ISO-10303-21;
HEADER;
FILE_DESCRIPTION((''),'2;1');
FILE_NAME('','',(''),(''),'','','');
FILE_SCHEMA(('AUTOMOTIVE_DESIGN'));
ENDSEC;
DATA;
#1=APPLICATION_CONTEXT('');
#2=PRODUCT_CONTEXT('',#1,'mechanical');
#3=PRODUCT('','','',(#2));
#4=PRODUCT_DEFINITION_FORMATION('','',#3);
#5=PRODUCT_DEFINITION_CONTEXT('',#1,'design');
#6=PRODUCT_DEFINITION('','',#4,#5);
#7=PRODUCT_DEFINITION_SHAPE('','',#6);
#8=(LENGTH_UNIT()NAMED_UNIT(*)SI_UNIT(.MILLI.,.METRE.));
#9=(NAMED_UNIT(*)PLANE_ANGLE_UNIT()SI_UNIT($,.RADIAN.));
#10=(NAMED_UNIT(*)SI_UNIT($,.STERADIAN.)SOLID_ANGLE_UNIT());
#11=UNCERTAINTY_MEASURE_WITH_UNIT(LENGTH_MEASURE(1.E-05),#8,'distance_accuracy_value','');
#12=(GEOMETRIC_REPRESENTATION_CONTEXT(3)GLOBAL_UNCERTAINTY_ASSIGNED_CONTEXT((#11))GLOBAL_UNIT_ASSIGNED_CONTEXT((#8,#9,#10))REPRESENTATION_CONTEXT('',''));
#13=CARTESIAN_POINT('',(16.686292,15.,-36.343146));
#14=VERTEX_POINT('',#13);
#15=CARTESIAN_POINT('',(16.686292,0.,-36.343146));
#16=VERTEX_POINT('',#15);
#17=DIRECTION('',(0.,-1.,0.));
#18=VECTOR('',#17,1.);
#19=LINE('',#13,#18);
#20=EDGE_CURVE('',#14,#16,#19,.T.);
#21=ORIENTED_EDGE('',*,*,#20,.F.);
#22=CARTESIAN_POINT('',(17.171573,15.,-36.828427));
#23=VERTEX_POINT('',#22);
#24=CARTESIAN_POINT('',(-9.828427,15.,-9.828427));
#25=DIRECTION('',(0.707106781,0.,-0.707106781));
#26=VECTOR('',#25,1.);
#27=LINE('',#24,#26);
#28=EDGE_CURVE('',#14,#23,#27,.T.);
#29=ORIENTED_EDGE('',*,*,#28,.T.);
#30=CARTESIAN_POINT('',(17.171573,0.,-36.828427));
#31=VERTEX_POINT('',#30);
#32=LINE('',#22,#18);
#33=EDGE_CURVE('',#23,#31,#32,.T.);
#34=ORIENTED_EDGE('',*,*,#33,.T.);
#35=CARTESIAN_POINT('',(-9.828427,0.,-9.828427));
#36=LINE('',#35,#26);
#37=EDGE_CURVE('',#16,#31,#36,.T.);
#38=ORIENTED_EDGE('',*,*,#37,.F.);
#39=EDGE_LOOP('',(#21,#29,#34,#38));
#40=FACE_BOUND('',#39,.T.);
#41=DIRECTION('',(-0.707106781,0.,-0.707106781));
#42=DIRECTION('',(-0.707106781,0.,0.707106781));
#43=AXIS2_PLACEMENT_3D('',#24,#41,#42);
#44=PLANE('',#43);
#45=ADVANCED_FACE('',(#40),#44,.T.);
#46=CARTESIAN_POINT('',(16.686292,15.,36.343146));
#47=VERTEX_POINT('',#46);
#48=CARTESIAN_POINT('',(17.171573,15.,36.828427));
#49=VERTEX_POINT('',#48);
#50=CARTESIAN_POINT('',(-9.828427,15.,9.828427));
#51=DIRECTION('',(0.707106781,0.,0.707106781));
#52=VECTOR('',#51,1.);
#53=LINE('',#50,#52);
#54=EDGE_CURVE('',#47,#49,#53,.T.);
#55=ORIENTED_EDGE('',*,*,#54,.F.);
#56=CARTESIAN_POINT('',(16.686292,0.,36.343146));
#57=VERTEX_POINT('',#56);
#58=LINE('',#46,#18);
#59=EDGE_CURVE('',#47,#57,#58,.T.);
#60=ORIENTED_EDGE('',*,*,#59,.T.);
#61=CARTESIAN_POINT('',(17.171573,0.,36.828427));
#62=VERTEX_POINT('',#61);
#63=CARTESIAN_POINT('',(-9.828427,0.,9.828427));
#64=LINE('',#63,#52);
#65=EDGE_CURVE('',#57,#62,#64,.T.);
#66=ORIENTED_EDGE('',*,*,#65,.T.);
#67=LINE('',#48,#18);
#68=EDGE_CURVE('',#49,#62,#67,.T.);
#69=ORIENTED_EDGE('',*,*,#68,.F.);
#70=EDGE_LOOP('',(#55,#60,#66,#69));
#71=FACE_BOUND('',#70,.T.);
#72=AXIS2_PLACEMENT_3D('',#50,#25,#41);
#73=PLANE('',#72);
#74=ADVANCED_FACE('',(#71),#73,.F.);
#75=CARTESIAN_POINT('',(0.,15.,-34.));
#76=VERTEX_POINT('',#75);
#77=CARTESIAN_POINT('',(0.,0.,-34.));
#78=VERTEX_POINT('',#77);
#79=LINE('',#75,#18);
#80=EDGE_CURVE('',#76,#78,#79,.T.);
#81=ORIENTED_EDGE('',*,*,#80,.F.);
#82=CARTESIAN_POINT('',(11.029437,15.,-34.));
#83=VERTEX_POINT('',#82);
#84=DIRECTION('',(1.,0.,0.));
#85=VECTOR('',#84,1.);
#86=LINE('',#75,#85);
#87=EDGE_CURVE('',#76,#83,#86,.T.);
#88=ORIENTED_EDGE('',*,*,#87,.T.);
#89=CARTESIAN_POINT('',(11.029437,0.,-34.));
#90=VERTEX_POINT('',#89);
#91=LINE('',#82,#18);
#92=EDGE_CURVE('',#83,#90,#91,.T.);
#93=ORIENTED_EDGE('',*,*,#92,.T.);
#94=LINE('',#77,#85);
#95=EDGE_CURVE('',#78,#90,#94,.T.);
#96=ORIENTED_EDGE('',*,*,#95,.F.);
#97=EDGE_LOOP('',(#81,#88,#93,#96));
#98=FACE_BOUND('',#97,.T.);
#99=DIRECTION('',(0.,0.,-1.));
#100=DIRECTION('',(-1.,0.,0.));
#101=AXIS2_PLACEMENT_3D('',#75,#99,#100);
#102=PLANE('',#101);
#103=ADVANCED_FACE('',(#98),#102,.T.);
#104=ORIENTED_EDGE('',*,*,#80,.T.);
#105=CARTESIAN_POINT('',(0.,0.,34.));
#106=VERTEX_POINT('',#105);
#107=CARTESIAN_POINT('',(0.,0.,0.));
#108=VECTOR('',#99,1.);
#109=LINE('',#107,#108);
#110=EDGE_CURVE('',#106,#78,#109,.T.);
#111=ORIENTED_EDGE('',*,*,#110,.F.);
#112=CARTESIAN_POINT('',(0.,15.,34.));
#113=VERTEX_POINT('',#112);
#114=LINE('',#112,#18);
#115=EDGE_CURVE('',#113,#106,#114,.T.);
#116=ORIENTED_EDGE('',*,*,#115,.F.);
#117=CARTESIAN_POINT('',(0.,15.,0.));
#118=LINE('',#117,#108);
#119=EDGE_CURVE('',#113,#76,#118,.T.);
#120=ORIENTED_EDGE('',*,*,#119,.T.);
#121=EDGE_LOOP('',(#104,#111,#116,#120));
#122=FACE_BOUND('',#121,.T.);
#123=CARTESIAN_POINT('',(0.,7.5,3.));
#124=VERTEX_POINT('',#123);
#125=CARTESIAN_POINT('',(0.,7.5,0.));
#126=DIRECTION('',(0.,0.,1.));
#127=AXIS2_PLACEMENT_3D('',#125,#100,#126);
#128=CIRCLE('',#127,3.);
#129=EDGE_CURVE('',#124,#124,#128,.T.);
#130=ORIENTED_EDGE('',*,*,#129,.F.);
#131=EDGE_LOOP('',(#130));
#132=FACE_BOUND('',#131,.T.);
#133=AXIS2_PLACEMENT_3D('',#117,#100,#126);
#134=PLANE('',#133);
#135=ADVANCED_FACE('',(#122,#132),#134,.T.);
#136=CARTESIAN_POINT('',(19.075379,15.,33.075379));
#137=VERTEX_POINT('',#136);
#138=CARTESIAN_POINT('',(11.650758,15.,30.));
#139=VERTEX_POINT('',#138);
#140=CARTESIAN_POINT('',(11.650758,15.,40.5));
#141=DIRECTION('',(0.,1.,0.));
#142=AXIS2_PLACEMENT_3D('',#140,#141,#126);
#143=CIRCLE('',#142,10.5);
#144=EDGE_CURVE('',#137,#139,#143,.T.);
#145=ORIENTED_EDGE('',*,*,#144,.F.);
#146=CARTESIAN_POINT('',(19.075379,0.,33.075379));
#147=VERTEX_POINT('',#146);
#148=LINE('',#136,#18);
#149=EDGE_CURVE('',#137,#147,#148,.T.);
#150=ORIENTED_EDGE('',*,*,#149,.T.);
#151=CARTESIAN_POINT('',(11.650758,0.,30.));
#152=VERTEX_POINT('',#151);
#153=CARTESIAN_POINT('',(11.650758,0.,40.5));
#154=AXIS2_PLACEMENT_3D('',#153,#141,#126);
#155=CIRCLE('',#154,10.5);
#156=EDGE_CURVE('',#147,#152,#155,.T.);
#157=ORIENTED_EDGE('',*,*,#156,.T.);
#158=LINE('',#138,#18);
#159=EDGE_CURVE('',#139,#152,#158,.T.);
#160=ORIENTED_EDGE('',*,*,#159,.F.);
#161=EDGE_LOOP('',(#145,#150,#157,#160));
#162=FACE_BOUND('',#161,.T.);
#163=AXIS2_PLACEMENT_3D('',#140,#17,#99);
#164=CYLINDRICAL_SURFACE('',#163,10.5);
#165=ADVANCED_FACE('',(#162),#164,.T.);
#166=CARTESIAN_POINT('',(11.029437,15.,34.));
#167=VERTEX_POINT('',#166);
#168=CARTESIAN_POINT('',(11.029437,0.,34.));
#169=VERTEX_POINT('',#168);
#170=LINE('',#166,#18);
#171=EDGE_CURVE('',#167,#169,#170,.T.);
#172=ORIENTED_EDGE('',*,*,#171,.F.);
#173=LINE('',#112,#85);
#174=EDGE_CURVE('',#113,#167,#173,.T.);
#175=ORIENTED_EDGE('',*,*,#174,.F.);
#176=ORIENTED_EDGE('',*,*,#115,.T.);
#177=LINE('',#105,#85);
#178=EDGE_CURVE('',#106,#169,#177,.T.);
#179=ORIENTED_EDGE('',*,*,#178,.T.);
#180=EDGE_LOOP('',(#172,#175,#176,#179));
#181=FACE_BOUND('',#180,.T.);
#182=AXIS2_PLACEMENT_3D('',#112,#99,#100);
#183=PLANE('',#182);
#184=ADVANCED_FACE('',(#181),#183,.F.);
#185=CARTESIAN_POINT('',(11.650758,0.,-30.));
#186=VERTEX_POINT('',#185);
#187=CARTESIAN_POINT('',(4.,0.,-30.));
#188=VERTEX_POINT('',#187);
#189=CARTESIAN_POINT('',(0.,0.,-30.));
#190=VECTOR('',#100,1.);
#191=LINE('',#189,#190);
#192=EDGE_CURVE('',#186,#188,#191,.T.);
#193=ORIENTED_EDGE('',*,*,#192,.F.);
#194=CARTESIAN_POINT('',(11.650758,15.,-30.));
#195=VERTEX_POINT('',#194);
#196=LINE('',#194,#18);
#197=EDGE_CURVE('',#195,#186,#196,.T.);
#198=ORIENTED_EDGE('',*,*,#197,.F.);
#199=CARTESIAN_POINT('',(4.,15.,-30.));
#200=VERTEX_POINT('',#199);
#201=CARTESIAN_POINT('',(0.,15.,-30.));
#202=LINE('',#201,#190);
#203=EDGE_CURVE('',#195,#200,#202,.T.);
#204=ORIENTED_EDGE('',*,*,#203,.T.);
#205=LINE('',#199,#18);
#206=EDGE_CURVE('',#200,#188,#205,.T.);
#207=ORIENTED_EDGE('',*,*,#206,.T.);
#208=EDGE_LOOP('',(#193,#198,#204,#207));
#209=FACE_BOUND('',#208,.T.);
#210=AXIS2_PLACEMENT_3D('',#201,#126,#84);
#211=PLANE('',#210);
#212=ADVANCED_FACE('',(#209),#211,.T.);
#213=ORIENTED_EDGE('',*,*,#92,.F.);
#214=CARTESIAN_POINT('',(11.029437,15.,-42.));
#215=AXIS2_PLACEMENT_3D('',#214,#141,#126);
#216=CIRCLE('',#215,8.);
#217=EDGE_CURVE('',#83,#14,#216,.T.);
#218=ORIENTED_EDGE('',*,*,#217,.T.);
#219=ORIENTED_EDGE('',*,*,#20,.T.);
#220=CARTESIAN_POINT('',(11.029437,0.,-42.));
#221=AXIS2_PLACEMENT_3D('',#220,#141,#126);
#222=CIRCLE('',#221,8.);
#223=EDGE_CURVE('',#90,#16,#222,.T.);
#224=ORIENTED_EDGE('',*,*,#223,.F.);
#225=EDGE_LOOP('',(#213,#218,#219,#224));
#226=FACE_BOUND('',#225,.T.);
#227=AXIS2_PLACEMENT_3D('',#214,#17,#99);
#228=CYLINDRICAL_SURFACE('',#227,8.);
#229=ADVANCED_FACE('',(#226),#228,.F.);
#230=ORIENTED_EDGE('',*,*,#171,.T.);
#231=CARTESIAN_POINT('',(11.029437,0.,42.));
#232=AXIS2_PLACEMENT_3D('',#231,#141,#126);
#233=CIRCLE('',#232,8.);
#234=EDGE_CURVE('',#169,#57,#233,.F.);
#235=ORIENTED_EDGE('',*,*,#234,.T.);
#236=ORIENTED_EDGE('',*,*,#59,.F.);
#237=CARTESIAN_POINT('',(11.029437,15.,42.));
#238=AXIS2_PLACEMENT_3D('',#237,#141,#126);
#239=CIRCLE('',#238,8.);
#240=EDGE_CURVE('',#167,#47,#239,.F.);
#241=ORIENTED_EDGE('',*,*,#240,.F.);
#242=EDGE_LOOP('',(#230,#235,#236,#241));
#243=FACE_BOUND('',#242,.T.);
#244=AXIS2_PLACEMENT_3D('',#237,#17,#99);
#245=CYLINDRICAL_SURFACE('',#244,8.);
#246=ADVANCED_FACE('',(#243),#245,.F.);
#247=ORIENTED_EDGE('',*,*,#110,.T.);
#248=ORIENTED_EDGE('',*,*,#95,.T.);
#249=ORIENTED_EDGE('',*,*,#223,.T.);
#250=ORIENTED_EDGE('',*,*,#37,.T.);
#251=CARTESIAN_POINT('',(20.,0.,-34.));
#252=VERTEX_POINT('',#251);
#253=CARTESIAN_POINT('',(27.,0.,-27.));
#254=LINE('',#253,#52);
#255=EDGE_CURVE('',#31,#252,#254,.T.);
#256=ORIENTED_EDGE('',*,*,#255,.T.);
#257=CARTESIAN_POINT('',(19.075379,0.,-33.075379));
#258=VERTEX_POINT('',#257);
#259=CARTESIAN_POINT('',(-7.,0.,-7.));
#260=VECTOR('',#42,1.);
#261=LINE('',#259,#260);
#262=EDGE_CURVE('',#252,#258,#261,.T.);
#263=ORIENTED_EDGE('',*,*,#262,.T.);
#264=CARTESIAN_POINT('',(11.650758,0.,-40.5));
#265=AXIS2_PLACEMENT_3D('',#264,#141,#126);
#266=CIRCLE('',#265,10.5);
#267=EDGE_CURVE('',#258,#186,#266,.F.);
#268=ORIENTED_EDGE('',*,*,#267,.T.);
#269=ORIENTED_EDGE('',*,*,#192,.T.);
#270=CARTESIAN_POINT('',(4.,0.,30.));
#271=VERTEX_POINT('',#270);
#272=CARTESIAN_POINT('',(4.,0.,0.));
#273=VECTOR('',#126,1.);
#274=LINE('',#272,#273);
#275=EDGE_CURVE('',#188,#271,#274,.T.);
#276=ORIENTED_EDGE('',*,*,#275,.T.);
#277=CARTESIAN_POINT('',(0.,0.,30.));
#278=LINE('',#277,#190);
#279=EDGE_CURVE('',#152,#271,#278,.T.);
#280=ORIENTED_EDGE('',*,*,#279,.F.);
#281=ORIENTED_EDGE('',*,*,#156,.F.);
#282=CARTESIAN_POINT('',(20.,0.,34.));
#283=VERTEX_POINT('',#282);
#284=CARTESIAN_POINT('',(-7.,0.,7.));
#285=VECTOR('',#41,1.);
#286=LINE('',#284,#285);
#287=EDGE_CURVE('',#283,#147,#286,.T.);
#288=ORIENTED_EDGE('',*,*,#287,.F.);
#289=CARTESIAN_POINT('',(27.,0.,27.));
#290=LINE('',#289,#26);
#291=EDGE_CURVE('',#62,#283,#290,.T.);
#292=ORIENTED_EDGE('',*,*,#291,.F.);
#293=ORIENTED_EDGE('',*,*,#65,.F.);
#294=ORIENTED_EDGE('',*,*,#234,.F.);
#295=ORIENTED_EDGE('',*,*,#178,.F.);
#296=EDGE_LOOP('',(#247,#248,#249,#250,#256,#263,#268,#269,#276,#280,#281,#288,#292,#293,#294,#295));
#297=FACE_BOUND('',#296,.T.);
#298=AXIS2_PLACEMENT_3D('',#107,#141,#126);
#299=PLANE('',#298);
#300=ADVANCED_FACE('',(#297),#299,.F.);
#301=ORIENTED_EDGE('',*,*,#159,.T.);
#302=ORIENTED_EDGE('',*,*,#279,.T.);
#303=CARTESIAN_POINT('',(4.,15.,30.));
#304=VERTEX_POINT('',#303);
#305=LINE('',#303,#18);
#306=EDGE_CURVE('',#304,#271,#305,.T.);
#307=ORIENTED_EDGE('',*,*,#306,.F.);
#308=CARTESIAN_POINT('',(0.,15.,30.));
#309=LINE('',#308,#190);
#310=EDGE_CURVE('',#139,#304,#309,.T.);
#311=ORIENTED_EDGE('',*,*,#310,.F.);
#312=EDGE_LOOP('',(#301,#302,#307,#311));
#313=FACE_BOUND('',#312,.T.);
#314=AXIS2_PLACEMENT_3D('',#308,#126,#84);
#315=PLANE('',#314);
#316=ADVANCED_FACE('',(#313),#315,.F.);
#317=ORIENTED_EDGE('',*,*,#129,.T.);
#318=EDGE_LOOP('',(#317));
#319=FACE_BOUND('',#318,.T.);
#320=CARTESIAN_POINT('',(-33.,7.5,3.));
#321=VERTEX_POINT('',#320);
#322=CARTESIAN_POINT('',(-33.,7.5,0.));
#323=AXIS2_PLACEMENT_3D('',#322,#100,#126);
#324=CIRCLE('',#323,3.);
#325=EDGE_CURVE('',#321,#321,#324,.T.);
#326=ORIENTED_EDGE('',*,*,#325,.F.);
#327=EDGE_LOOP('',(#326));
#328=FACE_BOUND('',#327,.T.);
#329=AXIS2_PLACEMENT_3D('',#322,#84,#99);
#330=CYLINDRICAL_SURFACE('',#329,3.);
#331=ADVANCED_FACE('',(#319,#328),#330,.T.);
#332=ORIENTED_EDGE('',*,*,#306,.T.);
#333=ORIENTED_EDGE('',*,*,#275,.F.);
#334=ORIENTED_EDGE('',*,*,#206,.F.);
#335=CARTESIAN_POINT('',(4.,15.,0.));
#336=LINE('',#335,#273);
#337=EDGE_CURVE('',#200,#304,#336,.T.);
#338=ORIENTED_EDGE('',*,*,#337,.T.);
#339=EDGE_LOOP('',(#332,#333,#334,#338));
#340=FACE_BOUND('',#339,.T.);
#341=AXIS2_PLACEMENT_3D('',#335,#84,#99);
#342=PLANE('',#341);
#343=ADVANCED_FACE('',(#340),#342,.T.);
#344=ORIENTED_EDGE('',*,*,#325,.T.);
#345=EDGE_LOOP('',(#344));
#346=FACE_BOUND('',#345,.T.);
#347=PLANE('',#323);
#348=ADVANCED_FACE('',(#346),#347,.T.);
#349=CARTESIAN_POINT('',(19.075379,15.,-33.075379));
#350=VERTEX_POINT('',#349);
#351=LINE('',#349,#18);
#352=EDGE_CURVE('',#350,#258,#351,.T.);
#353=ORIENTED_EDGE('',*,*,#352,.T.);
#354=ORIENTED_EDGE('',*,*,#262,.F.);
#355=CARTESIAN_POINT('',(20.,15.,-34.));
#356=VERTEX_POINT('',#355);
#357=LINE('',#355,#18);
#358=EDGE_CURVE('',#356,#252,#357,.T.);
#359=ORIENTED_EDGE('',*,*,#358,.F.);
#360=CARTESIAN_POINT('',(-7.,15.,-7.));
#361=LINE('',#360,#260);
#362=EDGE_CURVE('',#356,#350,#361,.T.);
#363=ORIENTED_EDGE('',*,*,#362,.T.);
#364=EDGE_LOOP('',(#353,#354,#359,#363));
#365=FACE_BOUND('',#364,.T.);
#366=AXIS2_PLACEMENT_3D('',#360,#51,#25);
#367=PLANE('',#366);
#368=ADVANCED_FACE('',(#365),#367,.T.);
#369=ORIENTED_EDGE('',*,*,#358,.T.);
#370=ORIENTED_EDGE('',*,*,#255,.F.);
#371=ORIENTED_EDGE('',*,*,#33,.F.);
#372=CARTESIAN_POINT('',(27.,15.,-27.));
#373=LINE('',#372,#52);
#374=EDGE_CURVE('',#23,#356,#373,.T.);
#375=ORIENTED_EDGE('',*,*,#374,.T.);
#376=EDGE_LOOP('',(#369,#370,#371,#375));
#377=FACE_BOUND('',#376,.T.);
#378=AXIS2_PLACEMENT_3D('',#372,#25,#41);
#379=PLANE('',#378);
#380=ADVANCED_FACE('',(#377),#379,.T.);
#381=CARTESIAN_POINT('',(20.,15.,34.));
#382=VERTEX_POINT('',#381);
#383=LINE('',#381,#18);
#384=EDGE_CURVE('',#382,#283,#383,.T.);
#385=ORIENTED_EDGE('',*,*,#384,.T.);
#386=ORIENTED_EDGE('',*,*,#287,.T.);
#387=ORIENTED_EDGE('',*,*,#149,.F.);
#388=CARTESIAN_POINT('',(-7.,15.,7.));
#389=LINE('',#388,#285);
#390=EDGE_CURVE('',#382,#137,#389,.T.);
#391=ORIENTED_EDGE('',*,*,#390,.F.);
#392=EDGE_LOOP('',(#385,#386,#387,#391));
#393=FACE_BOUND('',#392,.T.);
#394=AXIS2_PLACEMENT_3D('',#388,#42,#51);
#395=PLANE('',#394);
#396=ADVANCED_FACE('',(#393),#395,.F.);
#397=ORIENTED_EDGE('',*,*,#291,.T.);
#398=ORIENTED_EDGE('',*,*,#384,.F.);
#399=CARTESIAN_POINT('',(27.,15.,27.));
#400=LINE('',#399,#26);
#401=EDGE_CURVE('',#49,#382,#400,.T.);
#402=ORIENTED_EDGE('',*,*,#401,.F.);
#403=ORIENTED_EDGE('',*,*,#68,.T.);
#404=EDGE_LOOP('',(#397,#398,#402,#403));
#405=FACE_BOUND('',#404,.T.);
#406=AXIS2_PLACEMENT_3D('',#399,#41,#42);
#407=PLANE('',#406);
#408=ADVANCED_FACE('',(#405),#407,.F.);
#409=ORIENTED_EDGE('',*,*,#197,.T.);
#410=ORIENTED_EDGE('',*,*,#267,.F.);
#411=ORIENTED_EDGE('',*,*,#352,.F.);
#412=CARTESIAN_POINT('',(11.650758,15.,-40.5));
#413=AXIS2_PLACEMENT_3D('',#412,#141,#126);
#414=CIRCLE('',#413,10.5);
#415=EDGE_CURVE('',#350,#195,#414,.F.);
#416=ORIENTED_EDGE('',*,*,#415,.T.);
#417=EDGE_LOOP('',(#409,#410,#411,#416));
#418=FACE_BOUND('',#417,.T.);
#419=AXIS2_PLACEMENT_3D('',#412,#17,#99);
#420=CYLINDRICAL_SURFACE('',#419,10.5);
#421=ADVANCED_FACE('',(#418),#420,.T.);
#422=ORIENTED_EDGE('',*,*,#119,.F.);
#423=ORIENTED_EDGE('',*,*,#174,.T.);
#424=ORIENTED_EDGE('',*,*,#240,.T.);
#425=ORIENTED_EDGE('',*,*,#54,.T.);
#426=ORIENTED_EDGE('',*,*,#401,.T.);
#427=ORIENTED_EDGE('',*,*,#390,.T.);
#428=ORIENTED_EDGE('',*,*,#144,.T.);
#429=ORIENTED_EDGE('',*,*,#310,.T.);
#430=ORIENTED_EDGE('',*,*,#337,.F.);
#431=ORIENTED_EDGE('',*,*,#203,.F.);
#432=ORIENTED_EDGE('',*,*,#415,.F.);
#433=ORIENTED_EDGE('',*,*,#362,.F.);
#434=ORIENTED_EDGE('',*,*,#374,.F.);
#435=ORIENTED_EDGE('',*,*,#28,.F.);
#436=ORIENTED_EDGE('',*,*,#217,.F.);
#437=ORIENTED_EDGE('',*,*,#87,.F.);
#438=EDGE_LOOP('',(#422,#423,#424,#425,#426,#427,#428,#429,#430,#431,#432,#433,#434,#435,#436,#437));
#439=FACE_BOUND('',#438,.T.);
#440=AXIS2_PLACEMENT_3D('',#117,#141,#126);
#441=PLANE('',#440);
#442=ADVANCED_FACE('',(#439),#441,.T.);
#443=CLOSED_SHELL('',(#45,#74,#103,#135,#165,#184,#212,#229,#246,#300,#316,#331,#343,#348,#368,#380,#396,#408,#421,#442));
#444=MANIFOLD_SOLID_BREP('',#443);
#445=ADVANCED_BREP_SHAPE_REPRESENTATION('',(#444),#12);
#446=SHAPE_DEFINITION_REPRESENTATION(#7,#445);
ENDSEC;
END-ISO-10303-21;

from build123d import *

# Parameters (mm, degrees)
BOSS_EXTRUDE2_DEPTH = 15
SKETCH3_R           = 3
BOSS_EXTRUDE3_DEPTH = 33


with BuildPart() as part:
    # Sketch1 → Boss-Extrude2 (new body)
    with BuildSketch(Plane(origin=(0, 0, 0), x_dir=(1, 0, 0), z_dir=(0, 1, 0))):
        with BuildLine():
            Line((0, 34), (0, 0))
            Line((0, 0), (4, 0))
            Line((4, 0), (4, 30))
            Line((4, 30), (11.650757595, 30))
            ThreePointArc((11.650757595, 30), (15.668933635, 30.799264909), (19.075378798, 33.075378798))
            Line((19.075378798, 33.075378798), (20, 34))
            Line((20, 34), (17.171572875, 36.828427125))
            Line((17.171572875, 36.828427125), (16.686291501, 36.343145751))
            ThreePointArc((16.686291501, 36.343145751), (14.09090471, 34.60896374), (11.029437252, 34))
            Line((11.029437252, 34), (0, 34))
        make_face()
        with BuildLine():
            Line((0, 0), (0, -34))
            Line((0, -34), (11.029437252, -34))
            ThreePointArc((11.029437252, -34), (14.09090471, -34.60896374), (16.686291501, -36.343145751))
            Line((16.686291501, -36.343145751), (17.171572875, -36.828427125))
            Line((17.171572875, -36.828427125), (20, -34))
            Line((20, -34), (19.075378798, -33.075378798))
            ThreePointArc((19.075378798, -33.075378798), (15.668933635, -30.799264909), (11.650757595, -30))
            Line((11.650757595, -30), (4, -30))
            Line((4, -30), (4, 0))
            Line((4, 0), (0, 0))
        make_face()
    extrude(amount=BOSS_EXTRUDE2_DEPTH)

    # Sketch3 → Boss-Extrude3 (add)
    with BuildSketch(Plane.ZY):
        with Locations((0, 7.5)):
            Circle(SKETCH3_R)
    extrude(amount=BOSS_EXTRUDE3_DEPTH)


solid = part.part
